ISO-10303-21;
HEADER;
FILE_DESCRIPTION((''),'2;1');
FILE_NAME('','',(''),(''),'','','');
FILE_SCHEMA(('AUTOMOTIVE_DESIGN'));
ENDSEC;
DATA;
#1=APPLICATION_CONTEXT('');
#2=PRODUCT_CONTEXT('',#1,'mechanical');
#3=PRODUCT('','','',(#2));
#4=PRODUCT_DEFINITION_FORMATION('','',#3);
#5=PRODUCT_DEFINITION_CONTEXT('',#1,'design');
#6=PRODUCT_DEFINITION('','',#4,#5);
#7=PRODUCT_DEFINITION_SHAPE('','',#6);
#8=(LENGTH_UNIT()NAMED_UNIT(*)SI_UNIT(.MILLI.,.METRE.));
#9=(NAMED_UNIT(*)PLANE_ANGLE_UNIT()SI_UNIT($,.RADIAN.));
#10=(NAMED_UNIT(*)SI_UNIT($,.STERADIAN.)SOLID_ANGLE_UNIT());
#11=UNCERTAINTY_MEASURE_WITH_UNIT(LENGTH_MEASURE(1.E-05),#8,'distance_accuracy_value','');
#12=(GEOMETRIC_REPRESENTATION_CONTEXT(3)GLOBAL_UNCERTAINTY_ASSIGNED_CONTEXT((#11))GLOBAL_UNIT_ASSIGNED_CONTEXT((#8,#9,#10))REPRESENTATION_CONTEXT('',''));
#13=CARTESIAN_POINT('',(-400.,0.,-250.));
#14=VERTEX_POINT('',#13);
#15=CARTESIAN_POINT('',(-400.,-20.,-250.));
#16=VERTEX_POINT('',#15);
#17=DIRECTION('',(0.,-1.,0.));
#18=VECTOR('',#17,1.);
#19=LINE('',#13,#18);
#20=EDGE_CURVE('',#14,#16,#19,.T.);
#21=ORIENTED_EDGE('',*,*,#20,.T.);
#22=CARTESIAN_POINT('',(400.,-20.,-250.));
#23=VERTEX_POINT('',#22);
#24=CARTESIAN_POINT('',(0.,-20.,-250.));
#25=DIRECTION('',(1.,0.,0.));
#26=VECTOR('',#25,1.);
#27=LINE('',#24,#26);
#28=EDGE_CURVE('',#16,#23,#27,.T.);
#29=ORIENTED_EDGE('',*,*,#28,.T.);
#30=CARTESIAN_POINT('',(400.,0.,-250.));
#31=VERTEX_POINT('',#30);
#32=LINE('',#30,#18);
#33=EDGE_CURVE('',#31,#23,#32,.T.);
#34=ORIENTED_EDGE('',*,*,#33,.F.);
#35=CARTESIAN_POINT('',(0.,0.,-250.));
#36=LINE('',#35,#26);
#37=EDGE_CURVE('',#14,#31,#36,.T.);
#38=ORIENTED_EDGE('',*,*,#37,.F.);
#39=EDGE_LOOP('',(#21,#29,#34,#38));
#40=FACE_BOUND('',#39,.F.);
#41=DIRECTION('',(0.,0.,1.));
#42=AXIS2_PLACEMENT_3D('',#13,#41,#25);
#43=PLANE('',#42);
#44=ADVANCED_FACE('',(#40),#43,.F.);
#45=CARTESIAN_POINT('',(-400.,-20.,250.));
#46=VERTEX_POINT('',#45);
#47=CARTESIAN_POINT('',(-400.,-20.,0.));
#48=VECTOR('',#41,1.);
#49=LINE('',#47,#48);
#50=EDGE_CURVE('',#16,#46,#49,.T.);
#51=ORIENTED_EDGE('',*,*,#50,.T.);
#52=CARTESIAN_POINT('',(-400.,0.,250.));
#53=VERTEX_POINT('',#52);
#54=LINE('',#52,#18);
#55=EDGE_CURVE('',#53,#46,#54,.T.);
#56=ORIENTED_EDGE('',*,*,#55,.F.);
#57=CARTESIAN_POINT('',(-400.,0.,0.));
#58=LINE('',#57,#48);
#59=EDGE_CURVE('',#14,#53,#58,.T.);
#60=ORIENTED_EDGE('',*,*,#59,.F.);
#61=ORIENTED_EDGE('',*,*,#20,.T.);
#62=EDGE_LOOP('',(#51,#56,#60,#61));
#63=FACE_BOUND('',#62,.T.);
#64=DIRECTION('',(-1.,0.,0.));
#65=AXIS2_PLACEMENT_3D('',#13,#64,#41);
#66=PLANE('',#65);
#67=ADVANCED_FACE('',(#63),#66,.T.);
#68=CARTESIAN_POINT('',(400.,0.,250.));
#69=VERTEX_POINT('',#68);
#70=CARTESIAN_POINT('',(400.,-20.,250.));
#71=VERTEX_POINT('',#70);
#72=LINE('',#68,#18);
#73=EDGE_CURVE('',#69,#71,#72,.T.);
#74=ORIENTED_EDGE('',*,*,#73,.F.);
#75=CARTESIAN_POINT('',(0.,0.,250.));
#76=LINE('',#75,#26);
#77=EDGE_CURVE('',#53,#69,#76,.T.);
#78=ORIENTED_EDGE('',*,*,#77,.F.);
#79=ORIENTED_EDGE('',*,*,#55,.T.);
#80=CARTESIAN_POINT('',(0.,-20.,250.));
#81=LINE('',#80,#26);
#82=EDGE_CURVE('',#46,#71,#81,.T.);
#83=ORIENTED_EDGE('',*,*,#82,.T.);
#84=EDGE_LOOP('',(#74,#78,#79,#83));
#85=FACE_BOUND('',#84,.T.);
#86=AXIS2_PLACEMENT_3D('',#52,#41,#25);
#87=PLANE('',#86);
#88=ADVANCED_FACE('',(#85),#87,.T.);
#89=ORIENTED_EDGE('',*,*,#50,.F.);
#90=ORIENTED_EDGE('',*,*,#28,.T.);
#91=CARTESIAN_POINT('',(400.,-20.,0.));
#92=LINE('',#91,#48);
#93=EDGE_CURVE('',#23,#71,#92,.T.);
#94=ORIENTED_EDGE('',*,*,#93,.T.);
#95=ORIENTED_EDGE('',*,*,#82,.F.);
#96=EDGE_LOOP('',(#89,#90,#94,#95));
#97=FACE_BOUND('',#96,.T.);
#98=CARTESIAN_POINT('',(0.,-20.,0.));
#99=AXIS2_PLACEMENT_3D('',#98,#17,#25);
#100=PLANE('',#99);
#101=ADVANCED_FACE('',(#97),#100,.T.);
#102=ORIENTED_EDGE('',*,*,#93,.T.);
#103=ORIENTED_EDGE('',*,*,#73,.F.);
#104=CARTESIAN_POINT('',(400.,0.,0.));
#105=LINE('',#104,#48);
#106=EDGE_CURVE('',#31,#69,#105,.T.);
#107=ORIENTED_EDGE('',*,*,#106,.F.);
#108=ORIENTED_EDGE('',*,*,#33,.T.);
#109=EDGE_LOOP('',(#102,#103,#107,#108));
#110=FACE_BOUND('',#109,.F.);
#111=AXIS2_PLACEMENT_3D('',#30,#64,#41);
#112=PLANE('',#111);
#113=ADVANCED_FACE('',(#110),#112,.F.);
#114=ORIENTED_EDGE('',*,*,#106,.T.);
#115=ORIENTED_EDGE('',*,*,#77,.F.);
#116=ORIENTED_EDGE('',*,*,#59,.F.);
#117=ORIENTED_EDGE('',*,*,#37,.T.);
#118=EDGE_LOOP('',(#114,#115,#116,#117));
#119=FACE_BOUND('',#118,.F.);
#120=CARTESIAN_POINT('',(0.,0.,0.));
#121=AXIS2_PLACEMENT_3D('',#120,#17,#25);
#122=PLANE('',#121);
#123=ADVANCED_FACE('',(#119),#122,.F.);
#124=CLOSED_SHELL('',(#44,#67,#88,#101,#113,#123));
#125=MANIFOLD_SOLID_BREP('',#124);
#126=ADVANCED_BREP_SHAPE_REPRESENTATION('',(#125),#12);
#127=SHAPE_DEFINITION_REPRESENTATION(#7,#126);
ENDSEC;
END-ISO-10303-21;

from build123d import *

# Parameters (mm, degrees)
SKETCH_W  = 800
SKETCH_H  = 500
PAD_DEPTH = 20


with BuildPart() as part:
    # Sketch → Pad (new body)
    with BuildSketch(Plane.XZ):
        Rectangle(SKETCH_W, SKETCH_H)
    extrude(amount=PAD_DEPTH)


solid = part.part
